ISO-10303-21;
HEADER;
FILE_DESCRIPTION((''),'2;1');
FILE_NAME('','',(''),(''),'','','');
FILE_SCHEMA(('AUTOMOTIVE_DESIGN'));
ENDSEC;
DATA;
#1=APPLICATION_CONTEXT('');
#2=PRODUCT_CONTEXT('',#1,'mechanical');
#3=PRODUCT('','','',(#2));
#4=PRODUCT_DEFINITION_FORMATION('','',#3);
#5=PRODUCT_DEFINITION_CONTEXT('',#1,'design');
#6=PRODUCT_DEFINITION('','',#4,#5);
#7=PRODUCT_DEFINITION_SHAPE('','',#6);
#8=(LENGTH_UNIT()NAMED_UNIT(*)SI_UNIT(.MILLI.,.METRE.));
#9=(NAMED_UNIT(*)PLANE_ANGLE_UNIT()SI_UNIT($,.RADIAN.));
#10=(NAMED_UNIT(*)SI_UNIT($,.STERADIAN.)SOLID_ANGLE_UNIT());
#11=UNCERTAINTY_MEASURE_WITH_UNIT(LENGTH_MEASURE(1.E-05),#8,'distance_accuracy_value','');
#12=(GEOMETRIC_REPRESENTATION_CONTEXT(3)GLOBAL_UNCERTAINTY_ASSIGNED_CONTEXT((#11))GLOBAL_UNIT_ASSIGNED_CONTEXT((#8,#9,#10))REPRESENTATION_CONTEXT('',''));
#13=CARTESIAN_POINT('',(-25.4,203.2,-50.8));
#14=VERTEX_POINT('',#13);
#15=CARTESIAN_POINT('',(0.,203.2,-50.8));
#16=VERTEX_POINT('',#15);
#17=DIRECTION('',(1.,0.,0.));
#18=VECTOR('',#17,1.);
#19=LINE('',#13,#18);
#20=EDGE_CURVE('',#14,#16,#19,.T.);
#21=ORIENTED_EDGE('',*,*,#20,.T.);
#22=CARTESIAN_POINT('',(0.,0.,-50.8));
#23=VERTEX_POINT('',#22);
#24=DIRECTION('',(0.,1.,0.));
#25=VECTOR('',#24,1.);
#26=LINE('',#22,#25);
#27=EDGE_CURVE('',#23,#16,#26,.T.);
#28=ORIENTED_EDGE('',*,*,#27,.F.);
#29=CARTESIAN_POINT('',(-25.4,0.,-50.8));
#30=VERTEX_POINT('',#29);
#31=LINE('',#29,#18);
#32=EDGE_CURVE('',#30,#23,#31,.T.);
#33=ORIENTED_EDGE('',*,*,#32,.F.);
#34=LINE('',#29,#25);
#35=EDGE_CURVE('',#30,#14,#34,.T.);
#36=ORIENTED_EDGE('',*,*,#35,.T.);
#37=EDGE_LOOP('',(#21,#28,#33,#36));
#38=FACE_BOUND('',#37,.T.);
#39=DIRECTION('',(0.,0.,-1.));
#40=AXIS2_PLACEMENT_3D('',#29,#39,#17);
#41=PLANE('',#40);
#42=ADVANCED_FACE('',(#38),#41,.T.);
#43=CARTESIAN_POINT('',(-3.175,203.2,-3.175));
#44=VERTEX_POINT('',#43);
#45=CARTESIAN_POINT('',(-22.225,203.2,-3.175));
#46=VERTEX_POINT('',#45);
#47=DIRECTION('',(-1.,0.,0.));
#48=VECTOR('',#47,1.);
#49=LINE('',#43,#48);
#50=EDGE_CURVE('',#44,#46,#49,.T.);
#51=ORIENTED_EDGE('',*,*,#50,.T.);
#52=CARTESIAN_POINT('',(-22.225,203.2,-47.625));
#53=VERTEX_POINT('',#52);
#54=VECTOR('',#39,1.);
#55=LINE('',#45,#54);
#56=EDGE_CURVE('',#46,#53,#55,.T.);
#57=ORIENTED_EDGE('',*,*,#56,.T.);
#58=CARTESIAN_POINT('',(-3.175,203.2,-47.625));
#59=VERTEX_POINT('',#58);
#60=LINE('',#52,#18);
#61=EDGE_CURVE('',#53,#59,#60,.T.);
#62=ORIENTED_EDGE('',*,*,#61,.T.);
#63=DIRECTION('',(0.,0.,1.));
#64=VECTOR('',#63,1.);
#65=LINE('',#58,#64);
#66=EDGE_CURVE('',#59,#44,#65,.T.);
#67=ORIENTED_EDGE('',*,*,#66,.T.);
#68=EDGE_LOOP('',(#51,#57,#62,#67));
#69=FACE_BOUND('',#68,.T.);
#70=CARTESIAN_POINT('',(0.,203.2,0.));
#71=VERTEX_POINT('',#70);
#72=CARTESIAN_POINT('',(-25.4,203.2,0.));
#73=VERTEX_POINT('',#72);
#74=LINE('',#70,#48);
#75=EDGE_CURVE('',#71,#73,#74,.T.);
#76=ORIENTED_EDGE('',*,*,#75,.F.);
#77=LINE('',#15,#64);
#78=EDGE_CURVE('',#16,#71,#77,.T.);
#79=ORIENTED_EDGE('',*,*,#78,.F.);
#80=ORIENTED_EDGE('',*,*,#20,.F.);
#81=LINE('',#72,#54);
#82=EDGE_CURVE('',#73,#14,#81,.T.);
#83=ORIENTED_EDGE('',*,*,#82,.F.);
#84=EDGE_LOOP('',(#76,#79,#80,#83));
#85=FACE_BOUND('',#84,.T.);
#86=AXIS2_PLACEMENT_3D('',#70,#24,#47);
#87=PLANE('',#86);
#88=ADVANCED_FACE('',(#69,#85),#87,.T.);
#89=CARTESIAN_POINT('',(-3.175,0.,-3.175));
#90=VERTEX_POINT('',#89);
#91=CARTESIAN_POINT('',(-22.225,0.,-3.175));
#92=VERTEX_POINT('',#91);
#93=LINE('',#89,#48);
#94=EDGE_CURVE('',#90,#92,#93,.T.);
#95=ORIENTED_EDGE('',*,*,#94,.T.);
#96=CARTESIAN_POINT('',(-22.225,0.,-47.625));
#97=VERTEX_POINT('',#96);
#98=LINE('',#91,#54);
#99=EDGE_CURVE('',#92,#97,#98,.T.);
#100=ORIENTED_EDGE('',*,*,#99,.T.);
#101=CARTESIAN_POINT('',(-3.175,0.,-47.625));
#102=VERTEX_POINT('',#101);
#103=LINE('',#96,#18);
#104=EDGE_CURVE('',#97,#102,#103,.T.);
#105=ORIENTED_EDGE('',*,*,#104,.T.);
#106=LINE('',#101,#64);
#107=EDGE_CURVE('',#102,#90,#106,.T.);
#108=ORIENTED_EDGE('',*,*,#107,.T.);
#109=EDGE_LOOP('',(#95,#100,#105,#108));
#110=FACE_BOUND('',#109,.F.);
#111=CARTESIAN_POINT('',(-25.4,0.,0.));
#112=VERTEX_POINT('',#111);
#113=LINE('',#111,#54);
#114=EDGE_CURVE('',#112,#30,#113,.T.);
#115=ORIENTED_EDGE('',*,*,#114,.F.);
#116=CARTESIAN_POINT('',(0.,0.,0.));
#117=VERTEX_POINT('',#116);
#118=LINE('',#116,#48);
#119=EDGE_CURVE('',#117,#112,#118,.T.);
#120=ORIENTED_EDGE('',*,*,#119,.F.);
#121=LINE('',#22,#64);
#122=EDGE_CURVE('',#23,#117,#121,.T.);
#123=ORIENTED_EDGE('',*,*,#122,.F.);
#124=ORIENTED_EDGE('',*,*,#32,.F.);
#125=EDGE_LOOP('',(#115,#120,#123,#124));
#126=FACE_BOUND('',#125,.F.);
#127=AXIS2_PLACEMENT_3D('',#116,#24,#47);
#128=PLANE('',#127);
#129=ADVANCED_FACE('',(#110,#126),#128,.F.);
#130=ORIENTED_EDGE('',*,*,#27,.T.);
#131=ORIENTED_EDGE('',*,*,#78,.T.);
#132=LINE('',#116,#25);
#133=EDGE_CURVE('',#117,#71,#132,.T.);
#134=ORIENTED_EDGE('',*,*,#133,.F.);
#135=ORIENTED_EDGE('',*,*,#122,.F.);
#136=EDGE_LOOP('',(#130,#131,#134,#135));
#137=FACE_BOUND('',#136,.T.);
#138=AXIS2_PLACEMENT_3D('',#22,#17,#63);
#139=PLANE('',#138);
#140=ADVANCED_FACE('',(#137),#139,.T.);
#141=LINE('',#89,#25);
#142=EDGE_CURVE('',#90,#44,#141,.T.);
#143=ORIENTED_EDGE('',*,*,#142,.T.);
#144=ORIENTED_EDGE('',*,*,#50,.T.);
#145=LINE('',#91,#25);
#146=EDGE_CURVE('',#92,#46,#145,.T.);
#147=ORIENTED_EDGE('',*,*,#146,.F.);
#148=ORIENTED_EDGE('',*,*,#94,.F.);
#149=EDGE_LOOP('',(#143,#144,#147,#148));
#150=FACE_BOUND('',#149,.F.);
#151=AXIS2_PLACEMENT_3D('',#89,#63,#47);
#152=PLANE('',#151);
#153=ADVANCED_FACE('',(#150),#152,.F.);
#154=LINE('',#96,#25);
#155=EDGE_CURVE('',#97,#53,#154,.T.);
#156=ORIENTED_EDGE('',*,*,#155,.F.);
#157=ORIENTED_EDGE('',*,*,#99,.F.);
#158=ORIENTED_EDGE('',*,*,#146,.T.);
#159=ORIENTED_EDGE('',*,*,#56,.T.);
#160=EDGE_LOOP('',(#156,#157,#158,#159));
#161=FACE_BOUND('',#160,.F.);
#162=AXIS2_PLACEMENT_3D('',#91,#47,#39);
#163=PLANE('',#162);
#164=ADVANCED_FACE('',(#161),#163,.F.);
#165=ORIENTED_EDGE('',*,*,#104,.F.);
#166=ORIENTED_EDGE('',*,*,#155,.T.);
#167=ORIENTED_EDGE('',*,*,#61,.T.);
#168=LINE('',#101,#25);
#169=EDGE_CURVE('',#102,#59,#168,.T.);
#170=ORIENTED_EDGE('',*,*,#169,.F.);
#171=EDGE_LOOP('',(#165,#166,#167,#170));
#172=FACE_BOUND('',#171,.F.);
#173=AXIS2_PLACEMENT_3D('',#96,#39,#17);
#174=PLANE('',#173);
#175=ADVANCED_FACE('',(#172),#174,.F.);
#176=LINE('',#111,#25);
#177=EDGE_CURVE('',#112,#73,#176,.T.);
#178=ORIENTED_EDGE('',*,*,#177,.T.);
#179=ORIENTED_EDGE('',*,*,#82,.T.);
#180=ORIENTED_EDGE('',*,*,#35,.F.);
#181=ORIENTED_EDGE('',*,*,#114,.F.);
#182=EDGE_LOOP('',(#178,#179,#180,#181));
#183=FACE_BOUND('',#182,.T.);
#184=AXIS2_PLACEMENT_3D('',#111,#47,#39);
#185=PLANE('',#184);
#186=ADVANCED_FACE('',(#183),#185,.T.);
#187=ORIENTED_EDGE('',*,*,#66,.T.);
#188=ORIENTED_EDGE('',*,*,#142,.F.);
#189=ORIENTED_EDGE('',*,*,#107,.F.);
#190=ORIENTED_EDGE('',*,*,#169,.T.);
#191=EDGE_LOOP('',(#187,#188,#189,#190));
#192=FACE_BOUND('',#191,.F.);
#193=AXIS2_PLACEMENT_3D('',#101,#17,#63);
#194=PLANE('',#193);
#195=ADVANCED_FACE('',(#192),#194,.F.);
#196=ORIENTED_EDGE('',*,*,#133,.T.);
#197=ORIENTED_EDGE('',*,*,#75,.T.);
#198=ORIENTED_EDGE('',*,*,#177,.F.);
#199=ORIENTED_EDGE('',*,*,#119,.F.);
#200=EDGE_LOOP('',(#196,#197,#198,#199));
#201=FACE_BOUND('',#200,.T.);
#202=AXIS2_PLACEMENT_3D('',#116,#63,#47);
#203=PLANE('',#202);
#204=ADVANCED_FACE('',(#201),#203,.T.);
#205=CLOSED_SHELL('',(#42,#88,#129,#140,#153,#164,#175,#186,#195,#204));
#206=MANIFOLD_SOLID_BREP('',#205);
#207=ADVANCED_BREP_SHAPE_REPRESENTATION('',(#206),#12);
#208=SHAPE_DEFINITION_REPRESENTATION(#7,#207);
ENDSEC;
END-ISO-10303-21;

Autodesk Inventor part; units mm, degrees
ref_plane "YZ Plane" through (0, 0, 0) normal (1, 0, 0) x (0, 1, 0)
ref_plane "XZ Plane" through (0, 0, 0) normal (0, 1, 0) x (-1, 0, 0)
ref_plane "XY Plane" through (0, 0, 0) normal (0, 0, 1) x (1, 0, 0)
sketch "Sketch1" plane through (0, 0, 0) normal (0, 1, 0) x (-1, 0, 0)
  line L0 (0, 0) -> (25.4, 0)
  line L1 (25.4, 0) -> (25.4, -50.8)
  line L2 (25.4, -50.8) -> (0, -50.8)
  line L3 (0, -50.8) -> (0, 0)
  line L4 (3.175, -3.175) -> (22.225, -3.175)
  line L5 (22.225, -3.175) -> (22.225, -47.625)
  line L6 (22.225, -47.625) -> (3.175, -47.625)
  line L7 (3.175, -47.625) -> (3.175, -3.175)
  dimension "d0" = 25.4
  dimension "d1" = 50.8
  dimension "d2" = 3.175
extrude "Extrusion1" add sketch "Sketch1" along normal blind 203.2
properties part number "11x2x8in" material "Aluminum 6061"
